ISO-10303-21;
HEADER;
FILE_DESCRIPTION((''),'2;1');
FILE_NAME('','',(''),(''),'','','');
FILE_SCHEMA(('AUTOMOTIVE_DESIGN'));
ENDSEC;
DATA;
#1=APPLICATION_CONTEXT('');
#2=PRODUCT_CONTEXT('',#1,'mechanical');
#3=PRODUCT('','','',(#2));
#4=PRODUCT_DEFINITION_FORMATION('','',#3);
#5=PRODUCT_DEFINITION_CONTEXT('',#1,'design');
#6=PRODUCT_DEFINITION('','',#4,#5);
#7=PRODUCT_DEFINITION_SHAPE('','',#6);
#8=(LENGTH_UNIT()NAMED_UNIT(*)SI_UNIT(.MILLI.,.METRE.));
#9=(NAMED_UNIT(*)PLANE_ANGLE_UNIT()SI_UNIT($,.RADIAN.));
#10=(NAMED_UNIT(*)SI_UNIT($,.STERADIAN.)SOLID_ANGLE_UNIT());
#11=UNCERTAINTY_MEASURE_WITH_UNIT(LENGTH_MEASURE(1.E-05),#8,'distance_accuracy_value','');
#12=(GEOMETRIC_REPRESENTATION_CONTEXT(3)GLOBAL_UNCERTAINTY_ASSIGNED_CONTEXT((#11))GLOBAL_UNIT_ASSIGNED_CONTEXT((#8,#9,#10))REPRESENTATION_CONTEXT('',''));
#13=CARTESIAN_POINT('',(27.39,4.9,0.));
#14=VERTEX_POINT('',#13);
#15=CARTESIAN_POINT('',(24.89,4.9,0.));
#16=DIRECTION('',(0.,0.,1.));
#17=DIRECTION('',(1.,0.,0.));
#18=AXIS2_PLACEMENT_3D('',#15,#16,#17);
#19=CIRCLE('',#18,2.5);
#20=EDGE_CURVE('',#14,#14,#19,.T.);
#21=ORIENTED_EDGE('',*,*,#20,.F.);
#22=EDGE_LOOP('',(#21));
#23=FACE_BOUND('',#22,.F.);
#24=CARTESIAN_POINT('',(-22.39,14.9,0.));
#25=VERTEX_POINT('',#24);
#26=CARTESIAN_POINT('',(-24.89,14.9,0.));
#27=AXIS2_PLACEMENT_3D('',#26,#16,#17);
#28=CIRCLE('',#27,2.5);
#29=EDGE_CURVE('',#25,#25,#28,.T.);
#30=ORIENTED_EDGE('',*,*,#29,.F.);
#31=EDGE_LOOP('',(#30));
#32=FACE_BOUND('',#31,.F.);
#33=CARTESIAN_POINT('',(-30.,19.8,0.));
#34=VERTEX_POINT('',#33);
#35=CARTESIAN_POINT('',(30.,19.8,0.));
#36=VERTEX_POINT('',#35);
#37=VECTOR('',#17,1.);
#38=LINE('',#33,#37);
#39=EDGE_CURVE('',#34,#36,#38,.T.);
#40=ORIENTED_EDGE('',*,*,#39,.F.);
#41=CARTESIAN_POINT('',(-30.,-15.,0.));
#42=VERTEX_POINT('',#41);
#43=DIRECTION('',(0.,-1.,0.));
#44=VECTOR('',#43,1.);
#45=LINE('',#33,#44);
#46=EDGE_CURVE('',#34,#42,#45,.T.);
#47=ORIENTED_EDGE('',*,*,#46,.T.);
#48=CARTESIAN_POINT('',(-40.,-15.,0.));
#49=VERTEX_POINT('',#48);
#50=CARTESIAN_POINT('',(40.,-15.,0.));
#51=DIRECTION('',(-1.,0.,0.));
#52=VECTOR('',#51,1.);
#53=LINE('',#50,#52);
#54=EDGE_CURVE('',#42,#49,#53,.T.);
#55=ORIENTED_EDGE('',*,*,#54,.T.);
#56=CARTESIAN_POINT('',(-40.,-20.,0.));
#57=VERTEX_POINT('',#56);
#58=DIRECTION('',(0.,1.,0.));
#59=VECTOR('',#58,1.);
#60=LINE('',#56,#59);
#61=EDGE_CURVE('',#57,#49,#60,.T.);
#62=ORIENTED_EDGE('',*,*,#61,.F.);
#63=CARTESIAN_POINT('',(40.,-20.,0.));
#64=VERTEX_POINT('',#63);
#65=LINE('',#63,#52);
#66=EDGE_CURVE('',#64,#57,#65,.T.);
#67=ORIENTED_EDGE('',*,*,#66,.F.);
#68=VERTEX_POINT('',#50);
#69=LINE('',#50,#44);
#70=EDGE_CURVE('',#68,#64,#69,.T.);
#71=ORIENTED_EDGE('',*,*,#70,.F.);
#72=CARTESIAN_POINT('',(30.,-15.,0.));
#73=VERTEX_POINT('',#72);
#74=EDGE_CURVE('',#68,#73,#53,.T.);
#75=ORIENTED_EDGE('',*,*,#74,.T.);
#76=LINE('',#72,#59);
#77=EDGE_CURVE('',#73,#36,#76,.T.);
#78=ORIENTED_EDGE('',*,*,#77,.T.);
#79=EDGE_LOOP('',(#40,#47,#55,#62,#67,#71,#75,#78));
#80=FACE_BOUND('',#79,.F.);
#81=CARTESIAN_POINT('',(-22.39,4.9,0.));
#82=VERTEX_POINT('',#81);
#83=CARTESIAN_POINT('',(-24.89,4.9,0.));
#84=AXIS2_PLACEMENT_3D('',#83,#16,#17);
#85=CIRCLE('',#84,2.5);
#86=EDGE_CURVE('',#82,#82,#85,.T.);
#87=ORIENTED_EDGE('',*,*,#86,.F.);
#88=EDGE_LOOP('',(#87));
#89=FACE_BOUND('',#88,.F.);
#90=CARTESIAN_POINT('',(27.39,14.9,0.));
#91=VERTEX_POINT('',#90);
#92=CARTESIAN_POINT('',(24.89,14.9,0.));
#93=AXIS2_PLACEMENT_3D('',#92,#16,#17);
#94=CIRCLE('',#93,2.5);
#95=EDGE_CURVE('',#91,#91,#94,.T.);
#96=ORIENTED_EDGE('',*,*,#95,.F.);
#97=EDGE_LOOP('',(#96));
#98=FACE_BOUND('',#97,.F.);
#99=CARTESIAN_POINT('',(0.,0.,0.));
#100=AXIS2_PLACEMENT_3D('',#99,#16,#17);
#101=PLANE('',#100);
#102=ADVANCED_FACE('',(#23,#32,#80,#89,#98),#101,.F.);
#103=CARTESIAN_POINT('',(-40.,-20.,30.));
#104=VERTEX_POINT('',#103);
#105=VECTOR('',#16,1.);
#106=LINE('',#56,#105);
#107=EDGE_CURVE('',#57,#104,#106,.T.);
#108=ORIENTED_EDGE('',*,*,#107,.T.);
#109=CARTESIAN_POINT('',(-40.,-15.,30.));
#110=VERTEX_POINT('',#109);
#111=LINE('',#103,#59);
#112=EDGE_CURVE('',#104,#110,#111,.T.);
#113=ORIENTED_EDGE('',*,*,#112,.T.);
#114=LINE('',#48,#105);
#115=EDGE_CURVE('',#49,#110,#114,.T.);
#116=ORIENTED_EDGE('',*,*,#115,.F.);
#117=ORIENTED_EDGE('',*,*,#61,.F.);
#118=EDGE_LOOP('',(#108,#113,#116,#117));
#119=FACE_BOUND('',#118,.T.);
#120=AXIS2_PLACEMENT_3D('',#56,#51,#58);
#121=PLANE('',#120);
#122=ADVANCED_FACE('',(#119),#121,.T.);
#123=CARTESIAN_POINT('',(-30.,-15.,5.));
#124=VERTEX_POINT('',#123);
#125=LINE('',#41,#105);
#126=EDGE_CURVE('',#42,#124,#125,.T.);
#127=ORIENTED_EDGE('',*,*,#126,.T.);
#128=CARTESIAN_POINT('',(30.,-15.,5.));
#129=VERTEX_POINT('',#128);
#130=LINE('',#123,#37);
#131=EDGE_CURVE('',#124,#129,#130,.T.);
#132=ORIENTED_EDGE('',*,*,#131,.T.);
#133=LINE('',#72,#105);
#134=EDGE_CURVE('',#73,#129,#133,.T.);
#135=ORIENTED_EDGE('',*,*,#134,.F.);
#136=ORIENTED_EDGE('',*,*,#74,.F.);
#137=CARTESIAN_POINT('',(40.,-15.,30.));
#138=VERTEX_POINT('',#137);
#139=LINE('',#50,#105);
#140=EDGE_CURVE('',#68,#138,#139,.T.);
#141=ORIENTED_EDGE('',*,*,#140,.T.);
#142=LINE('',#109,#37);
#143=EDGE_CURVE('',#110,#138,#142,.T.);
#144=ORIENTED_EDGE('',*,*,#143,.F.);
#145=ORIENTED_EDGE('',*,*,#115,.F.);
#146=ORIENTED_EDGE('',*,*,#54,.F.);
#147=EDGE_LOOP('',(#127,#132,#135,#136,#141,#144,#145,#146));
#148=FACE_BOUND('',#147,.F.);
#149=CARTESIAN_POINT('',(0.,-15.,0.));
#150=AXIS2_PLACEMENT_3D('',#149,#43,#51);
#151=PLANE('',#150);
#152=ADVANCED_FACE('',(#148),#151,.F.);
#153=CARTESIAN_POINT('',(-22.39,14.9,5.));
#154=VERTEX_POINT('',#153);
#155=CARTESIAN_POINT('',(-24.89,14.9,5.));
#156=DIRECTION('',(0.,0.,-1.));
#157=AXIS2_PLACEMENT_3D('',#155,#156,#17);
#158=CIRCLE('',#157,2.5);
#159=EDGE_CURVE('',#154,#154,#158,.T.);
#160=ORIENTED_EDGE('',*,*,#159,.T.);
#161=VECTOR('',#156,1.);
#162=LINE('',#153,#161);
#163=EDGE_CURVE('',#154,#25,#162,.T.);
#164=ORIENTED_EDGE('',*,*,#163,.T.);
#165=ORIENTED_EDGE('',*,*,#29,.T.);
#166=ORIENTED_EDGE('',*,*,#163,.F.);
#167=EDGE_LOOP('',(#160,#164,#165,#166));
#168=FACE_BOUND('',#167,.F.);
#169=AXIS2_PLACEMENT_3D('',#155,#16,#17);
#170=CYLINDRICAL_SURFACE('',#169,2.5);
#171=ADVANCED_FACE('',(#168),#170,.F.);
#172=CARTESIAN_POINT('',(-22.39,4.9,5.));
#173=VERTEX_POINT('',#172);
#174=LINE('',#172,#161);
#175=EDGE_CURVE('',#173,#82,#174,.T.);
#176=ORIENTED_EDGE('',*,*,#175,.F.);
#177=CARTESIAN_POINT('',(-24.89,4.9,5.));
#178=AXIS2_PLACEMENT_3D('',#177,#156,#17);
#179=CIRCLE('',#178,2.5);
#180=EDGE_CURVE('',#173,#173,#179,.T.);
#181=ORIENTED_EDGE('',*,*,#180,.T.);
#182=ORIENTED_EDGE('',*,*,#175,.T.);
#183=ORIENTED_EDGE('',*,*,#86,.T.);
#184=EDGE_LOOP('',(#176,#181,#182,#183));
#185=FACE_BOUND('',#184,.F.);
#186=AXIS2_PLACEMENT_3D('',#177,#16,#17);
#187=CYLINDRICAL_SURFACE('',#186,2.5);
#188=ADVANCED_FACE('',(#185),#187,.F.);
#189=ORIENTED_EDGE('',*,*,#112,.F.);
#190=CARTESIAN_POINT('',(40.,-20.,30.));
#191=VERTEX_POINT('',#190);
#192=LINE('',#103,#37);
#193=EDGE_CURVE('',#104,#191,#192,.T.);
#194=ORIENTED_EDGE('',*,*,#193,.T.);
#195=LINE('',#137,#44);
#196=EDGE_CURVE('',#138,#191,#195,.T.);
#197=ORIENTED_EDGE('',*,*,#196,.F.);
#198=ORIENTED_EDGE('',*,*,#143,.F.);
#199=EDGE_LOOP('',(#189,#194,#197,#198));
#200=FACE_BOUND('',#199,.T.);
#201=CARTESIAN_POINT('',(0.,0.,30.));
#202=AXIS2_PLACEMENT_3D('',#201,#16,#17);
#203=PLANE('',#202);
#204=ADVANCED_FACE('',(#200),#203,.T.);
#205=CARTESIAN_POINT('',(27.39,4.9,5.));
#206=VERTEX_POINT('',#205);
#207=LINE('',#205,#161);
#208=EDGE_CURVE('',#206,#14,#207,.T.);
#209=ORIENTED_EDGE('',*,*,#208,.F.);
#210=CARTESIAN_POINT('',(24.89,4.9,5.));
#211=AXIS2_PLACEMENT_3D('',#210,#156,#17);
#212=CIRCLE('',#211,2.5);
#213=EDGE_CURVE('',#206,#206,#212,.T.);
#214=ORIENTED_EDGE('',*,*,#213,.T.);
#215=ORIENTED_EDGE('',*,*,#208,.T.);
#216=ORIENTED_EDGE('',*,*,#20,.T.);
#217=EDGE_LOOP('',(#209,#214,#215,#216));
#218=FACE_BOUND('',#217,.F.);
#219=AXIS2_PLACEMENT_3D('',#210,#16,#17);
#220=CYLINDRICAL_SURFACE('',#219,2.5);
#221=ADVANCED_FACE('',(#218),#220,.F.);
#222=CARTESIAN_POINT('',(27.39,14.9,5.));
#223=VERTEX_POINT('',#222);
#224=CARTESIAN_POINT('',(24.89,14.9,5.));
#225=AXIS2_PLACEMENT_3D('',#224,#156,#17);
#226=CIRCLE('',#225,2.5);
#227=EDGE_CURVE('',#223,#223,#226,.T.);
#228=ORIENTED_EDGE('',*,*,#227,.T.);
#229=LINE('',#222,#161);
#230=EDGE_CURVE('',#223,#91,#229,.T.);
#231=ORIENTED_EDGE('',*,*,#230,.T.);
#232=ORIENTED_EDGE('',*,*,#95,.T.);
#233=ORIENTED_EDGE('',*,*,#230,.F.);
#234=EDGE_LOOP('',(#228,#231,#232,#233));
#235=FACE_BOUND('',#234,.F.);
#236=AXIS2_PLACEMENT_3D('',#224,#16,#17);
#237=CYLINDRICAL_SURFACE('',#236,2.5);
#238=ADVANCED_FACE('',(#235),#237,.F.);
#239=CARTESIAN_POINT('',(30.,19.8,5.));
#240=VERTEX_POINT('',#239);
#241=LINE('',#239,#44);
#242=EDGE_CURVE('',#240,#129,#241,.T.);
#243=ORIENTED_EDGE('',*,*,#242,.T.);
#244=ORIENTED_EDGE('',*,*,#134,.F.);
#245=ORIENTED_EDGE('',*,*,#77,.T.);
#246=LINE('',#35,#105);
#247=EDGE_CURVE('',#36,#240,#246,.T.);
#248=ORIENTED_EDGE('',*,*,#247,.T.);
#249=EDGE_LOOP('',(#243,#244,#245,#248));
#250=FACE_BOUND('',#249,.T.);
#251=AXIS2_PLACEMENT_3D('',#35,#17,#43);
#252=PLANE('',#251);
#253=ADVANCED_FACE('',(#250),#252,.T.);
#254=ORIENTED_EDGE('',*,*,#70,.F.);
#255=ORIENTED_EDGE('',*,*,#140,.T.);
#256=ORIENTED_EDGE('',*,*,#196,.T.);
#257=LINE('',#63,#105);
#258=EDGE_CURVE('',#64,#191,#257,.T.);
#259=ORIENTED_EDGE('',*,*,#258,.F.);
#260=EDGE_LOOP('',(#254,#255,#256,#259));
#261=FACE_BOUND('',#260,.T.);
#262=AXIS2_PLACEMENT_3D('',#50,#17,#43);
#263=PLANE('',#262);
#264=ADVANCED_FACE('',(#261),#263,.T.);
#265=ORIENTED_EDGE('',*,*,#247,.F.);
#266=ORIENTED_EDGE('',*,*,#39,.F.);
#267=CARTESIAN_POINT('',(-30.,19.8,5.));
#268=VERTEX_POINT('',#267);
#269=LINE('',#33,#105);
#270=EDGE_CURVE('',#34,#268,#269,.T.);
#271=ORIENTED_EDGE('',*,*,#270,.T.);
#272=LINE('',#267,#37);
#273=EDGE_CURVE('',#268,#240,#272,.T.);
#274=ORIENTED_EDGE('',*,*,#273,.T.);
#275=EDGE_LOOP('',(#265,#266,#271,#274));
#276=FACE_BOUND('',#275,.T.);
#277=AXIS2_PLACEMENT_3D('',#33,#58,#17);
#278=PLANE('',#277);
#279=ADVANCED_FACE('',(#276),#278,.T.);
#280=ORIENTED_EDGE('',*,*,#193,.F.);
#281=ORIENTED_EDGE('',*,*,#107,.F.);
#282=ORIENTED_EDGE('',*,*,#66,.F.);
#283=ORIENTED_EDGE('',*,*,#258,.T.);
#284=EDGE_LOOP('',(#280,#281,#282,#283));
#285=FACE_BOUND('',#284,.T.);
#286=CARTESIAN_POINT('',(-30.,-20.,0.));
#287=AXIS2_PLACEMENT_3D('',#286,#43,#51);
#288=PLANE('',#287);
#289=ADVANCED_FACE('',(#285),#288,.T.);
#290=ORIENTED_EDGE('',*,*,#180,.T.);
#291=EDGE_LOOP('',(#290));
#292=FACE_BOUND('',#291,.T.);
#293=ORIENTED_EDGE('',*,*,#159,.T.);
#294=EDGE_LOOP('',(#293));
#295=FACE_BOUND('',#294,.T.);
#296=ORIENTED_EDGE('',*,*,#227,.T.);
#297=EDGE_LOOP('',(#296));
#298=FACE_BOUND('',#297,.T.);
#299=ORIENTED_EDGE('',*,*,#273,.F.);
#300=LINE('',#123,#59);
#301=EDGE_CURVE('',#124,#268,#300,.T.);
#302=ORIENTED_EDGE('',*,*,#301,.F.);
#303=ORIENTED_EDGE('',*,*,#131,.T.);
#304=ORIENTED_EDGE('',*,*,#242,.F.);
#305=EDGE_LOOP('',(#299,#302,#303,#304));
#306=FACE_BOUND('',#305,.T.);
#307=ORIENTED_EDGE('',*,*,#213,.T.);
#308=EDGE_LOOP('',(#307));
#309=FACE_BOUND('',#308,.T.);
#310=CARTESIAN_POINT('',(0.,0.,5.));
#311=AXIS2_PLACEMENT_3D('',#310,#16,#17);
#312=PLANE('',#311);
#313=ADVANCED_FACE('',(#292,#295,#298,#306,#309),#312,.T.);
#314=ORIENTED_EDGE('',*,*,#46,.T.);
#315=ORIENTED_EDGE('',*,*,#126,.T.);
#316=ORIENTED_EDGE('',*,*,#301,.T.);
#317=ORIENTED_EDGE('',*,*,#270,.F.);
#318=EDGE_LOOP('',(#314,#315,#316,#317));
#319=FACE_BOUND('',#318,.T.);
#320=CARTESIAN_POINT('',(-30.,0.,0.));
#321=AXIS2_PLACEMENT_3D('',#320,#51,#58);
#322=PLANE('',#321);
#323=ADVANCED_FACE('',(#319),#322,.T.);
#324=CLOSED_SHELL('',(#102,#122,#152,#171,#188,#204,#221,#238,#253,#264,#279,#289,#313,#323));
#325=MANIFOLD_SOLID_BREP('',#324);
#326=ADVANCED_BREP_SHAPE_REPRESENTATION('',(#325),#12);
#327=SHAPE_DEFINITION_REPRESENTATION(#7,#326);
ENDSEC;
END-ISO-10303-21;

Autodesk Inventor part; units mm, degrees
ref_plane "YZ Plane" through (0, 0, 0) normal (1, 0, 0) x (0, 1, 0)
ref_plane "XZ Plane" through (0, 0, 0) normal (0, 1, 0) x (-1, 0, 0)
ref_plane "XY Plane" through (0, 0, 0) normal (0, 0, 1) x (1, 0, 0)
sketch "Sketch1" plane through (0, 0, 0) normal (0, 0, 1) x (1, 0, 0)
  line L0 (-30, 19.8) -> (30, 19.8)
  line L1 (30, 19.8) -> (30, 0)
  line L2 (30, 0) -> (-30, 0)
  line L3 (-30, 0) -> (-30, 19.8)
  line L4 (-30, 0) -> (30, 0)
  line L5 (30, 0) -> (30, -15)
  line L6 (30, -15) -> (-30, -15)
  line L7 (-30, -15) -> (-30, 0)
  line L8 (-30, -15) -> (30, -15)
  line L9 (30, -15) -> (30, -20)
  line L10 (30, -20) -> (-30, -20)
  line L11 (-30, -20) -> (-30, -15)
  line L12 (-30, -17.5) -> (30, -17.5)
  line L13 (-40, -15) -> (40, -15)
  line L14 (40, -15) -> (40, -20)
  line L15 (40, -20) -> (-40, -20)
  line L16 (-40, -20) -> (-40, -15)
  line L17 (-40, -15) -> (40, -20) construction
  line L18 (40, -15) -> (-40, -20) construction
  line L19 (0, 0) -> (0, -20)
  point P0 (0, -17.5)
  point P1 (-40, -17.5)
  point P2 (-30, -15)
  dimension "d0" = 60
  dimension "d1" = 19.8
  dimension "d2" = 15
  dimension "d5" = 5
  dimension "d6" = 80
extrude "Extrusion1" add sketch "Sketch1" along normal blind 5 contours L0 L1 L2 L3 | L2 L19 L6 L7 | L5 L6 L19 L2
extrude "Extrusion2" add sketch "Sketch1" along normal blind 30 contours L6 L19 L12 L11 | L11 L15 L16 L13 | L9 L12 L19 L6 | L13 L14 L15 L9 | L12 L19 L10 L11 | L9 L10 L19 L12
sketch "Sketch2" plane through (0, 0, 5) normal (0, 0, 1) x (1, 0, 0)
  line L0 (-30, -15) -> (30, -15) projected
  line L1 (-29.9232, 0) -> (30, 0)
  line L2 (30, 0) -> (30, -15)
  line L3 (30, -15) -> (-29.9232, -15)
  line L4 (-29.9232, -15) -> (-29.9232, 0)
  line L5 (-30, 19.8) -> (-30, -15) projected
  line L6 (-30, 4.9) -> (30.0951, 4.9)
  line L7 (-30, 14.9) -> (30, 14.9)
  line L8 (30, -15) -> (30, 19.8) projected
  line L9 (30, 19.8) -> (-30, 19.8) projected
  circle A0 centre (-24.89, 4.9) radius 2.5
  circle A1 centre (24.89, 4.9) radius 2.5
  line L10 (-24.89, 4.9) -> (24.89, 4.9)
  line L11 (0, 0) -> (0, 4.9)
  line L12 (-30, 14.9) -> (-30, 4.9)
  line L13 (-30, 9.9) -> (30, 9.9)
  circle A2 centre (-24.89, 14.9) radius 2.5
  circle A3 centre (24.89, 14.9) radius 2.5
  dimension "d9" = 15
  dimension "d10" = 4.9
  dimension "d11" = 4.9
  dimension "d12" = 5
  dimension "d13" = 5
  dimension "d14" = 49.78
  dimension "d15" = 24.89
extrude "Extrusion3" cut sketch "Sketch2" against normal blind 30 contours A0 L6 | L6 A0 | A2 L7 | L7 A2 | A1 L6 | L6 A1 | A3 L7 | L7 A3
properties part number "fp v2 servo Mounting"
